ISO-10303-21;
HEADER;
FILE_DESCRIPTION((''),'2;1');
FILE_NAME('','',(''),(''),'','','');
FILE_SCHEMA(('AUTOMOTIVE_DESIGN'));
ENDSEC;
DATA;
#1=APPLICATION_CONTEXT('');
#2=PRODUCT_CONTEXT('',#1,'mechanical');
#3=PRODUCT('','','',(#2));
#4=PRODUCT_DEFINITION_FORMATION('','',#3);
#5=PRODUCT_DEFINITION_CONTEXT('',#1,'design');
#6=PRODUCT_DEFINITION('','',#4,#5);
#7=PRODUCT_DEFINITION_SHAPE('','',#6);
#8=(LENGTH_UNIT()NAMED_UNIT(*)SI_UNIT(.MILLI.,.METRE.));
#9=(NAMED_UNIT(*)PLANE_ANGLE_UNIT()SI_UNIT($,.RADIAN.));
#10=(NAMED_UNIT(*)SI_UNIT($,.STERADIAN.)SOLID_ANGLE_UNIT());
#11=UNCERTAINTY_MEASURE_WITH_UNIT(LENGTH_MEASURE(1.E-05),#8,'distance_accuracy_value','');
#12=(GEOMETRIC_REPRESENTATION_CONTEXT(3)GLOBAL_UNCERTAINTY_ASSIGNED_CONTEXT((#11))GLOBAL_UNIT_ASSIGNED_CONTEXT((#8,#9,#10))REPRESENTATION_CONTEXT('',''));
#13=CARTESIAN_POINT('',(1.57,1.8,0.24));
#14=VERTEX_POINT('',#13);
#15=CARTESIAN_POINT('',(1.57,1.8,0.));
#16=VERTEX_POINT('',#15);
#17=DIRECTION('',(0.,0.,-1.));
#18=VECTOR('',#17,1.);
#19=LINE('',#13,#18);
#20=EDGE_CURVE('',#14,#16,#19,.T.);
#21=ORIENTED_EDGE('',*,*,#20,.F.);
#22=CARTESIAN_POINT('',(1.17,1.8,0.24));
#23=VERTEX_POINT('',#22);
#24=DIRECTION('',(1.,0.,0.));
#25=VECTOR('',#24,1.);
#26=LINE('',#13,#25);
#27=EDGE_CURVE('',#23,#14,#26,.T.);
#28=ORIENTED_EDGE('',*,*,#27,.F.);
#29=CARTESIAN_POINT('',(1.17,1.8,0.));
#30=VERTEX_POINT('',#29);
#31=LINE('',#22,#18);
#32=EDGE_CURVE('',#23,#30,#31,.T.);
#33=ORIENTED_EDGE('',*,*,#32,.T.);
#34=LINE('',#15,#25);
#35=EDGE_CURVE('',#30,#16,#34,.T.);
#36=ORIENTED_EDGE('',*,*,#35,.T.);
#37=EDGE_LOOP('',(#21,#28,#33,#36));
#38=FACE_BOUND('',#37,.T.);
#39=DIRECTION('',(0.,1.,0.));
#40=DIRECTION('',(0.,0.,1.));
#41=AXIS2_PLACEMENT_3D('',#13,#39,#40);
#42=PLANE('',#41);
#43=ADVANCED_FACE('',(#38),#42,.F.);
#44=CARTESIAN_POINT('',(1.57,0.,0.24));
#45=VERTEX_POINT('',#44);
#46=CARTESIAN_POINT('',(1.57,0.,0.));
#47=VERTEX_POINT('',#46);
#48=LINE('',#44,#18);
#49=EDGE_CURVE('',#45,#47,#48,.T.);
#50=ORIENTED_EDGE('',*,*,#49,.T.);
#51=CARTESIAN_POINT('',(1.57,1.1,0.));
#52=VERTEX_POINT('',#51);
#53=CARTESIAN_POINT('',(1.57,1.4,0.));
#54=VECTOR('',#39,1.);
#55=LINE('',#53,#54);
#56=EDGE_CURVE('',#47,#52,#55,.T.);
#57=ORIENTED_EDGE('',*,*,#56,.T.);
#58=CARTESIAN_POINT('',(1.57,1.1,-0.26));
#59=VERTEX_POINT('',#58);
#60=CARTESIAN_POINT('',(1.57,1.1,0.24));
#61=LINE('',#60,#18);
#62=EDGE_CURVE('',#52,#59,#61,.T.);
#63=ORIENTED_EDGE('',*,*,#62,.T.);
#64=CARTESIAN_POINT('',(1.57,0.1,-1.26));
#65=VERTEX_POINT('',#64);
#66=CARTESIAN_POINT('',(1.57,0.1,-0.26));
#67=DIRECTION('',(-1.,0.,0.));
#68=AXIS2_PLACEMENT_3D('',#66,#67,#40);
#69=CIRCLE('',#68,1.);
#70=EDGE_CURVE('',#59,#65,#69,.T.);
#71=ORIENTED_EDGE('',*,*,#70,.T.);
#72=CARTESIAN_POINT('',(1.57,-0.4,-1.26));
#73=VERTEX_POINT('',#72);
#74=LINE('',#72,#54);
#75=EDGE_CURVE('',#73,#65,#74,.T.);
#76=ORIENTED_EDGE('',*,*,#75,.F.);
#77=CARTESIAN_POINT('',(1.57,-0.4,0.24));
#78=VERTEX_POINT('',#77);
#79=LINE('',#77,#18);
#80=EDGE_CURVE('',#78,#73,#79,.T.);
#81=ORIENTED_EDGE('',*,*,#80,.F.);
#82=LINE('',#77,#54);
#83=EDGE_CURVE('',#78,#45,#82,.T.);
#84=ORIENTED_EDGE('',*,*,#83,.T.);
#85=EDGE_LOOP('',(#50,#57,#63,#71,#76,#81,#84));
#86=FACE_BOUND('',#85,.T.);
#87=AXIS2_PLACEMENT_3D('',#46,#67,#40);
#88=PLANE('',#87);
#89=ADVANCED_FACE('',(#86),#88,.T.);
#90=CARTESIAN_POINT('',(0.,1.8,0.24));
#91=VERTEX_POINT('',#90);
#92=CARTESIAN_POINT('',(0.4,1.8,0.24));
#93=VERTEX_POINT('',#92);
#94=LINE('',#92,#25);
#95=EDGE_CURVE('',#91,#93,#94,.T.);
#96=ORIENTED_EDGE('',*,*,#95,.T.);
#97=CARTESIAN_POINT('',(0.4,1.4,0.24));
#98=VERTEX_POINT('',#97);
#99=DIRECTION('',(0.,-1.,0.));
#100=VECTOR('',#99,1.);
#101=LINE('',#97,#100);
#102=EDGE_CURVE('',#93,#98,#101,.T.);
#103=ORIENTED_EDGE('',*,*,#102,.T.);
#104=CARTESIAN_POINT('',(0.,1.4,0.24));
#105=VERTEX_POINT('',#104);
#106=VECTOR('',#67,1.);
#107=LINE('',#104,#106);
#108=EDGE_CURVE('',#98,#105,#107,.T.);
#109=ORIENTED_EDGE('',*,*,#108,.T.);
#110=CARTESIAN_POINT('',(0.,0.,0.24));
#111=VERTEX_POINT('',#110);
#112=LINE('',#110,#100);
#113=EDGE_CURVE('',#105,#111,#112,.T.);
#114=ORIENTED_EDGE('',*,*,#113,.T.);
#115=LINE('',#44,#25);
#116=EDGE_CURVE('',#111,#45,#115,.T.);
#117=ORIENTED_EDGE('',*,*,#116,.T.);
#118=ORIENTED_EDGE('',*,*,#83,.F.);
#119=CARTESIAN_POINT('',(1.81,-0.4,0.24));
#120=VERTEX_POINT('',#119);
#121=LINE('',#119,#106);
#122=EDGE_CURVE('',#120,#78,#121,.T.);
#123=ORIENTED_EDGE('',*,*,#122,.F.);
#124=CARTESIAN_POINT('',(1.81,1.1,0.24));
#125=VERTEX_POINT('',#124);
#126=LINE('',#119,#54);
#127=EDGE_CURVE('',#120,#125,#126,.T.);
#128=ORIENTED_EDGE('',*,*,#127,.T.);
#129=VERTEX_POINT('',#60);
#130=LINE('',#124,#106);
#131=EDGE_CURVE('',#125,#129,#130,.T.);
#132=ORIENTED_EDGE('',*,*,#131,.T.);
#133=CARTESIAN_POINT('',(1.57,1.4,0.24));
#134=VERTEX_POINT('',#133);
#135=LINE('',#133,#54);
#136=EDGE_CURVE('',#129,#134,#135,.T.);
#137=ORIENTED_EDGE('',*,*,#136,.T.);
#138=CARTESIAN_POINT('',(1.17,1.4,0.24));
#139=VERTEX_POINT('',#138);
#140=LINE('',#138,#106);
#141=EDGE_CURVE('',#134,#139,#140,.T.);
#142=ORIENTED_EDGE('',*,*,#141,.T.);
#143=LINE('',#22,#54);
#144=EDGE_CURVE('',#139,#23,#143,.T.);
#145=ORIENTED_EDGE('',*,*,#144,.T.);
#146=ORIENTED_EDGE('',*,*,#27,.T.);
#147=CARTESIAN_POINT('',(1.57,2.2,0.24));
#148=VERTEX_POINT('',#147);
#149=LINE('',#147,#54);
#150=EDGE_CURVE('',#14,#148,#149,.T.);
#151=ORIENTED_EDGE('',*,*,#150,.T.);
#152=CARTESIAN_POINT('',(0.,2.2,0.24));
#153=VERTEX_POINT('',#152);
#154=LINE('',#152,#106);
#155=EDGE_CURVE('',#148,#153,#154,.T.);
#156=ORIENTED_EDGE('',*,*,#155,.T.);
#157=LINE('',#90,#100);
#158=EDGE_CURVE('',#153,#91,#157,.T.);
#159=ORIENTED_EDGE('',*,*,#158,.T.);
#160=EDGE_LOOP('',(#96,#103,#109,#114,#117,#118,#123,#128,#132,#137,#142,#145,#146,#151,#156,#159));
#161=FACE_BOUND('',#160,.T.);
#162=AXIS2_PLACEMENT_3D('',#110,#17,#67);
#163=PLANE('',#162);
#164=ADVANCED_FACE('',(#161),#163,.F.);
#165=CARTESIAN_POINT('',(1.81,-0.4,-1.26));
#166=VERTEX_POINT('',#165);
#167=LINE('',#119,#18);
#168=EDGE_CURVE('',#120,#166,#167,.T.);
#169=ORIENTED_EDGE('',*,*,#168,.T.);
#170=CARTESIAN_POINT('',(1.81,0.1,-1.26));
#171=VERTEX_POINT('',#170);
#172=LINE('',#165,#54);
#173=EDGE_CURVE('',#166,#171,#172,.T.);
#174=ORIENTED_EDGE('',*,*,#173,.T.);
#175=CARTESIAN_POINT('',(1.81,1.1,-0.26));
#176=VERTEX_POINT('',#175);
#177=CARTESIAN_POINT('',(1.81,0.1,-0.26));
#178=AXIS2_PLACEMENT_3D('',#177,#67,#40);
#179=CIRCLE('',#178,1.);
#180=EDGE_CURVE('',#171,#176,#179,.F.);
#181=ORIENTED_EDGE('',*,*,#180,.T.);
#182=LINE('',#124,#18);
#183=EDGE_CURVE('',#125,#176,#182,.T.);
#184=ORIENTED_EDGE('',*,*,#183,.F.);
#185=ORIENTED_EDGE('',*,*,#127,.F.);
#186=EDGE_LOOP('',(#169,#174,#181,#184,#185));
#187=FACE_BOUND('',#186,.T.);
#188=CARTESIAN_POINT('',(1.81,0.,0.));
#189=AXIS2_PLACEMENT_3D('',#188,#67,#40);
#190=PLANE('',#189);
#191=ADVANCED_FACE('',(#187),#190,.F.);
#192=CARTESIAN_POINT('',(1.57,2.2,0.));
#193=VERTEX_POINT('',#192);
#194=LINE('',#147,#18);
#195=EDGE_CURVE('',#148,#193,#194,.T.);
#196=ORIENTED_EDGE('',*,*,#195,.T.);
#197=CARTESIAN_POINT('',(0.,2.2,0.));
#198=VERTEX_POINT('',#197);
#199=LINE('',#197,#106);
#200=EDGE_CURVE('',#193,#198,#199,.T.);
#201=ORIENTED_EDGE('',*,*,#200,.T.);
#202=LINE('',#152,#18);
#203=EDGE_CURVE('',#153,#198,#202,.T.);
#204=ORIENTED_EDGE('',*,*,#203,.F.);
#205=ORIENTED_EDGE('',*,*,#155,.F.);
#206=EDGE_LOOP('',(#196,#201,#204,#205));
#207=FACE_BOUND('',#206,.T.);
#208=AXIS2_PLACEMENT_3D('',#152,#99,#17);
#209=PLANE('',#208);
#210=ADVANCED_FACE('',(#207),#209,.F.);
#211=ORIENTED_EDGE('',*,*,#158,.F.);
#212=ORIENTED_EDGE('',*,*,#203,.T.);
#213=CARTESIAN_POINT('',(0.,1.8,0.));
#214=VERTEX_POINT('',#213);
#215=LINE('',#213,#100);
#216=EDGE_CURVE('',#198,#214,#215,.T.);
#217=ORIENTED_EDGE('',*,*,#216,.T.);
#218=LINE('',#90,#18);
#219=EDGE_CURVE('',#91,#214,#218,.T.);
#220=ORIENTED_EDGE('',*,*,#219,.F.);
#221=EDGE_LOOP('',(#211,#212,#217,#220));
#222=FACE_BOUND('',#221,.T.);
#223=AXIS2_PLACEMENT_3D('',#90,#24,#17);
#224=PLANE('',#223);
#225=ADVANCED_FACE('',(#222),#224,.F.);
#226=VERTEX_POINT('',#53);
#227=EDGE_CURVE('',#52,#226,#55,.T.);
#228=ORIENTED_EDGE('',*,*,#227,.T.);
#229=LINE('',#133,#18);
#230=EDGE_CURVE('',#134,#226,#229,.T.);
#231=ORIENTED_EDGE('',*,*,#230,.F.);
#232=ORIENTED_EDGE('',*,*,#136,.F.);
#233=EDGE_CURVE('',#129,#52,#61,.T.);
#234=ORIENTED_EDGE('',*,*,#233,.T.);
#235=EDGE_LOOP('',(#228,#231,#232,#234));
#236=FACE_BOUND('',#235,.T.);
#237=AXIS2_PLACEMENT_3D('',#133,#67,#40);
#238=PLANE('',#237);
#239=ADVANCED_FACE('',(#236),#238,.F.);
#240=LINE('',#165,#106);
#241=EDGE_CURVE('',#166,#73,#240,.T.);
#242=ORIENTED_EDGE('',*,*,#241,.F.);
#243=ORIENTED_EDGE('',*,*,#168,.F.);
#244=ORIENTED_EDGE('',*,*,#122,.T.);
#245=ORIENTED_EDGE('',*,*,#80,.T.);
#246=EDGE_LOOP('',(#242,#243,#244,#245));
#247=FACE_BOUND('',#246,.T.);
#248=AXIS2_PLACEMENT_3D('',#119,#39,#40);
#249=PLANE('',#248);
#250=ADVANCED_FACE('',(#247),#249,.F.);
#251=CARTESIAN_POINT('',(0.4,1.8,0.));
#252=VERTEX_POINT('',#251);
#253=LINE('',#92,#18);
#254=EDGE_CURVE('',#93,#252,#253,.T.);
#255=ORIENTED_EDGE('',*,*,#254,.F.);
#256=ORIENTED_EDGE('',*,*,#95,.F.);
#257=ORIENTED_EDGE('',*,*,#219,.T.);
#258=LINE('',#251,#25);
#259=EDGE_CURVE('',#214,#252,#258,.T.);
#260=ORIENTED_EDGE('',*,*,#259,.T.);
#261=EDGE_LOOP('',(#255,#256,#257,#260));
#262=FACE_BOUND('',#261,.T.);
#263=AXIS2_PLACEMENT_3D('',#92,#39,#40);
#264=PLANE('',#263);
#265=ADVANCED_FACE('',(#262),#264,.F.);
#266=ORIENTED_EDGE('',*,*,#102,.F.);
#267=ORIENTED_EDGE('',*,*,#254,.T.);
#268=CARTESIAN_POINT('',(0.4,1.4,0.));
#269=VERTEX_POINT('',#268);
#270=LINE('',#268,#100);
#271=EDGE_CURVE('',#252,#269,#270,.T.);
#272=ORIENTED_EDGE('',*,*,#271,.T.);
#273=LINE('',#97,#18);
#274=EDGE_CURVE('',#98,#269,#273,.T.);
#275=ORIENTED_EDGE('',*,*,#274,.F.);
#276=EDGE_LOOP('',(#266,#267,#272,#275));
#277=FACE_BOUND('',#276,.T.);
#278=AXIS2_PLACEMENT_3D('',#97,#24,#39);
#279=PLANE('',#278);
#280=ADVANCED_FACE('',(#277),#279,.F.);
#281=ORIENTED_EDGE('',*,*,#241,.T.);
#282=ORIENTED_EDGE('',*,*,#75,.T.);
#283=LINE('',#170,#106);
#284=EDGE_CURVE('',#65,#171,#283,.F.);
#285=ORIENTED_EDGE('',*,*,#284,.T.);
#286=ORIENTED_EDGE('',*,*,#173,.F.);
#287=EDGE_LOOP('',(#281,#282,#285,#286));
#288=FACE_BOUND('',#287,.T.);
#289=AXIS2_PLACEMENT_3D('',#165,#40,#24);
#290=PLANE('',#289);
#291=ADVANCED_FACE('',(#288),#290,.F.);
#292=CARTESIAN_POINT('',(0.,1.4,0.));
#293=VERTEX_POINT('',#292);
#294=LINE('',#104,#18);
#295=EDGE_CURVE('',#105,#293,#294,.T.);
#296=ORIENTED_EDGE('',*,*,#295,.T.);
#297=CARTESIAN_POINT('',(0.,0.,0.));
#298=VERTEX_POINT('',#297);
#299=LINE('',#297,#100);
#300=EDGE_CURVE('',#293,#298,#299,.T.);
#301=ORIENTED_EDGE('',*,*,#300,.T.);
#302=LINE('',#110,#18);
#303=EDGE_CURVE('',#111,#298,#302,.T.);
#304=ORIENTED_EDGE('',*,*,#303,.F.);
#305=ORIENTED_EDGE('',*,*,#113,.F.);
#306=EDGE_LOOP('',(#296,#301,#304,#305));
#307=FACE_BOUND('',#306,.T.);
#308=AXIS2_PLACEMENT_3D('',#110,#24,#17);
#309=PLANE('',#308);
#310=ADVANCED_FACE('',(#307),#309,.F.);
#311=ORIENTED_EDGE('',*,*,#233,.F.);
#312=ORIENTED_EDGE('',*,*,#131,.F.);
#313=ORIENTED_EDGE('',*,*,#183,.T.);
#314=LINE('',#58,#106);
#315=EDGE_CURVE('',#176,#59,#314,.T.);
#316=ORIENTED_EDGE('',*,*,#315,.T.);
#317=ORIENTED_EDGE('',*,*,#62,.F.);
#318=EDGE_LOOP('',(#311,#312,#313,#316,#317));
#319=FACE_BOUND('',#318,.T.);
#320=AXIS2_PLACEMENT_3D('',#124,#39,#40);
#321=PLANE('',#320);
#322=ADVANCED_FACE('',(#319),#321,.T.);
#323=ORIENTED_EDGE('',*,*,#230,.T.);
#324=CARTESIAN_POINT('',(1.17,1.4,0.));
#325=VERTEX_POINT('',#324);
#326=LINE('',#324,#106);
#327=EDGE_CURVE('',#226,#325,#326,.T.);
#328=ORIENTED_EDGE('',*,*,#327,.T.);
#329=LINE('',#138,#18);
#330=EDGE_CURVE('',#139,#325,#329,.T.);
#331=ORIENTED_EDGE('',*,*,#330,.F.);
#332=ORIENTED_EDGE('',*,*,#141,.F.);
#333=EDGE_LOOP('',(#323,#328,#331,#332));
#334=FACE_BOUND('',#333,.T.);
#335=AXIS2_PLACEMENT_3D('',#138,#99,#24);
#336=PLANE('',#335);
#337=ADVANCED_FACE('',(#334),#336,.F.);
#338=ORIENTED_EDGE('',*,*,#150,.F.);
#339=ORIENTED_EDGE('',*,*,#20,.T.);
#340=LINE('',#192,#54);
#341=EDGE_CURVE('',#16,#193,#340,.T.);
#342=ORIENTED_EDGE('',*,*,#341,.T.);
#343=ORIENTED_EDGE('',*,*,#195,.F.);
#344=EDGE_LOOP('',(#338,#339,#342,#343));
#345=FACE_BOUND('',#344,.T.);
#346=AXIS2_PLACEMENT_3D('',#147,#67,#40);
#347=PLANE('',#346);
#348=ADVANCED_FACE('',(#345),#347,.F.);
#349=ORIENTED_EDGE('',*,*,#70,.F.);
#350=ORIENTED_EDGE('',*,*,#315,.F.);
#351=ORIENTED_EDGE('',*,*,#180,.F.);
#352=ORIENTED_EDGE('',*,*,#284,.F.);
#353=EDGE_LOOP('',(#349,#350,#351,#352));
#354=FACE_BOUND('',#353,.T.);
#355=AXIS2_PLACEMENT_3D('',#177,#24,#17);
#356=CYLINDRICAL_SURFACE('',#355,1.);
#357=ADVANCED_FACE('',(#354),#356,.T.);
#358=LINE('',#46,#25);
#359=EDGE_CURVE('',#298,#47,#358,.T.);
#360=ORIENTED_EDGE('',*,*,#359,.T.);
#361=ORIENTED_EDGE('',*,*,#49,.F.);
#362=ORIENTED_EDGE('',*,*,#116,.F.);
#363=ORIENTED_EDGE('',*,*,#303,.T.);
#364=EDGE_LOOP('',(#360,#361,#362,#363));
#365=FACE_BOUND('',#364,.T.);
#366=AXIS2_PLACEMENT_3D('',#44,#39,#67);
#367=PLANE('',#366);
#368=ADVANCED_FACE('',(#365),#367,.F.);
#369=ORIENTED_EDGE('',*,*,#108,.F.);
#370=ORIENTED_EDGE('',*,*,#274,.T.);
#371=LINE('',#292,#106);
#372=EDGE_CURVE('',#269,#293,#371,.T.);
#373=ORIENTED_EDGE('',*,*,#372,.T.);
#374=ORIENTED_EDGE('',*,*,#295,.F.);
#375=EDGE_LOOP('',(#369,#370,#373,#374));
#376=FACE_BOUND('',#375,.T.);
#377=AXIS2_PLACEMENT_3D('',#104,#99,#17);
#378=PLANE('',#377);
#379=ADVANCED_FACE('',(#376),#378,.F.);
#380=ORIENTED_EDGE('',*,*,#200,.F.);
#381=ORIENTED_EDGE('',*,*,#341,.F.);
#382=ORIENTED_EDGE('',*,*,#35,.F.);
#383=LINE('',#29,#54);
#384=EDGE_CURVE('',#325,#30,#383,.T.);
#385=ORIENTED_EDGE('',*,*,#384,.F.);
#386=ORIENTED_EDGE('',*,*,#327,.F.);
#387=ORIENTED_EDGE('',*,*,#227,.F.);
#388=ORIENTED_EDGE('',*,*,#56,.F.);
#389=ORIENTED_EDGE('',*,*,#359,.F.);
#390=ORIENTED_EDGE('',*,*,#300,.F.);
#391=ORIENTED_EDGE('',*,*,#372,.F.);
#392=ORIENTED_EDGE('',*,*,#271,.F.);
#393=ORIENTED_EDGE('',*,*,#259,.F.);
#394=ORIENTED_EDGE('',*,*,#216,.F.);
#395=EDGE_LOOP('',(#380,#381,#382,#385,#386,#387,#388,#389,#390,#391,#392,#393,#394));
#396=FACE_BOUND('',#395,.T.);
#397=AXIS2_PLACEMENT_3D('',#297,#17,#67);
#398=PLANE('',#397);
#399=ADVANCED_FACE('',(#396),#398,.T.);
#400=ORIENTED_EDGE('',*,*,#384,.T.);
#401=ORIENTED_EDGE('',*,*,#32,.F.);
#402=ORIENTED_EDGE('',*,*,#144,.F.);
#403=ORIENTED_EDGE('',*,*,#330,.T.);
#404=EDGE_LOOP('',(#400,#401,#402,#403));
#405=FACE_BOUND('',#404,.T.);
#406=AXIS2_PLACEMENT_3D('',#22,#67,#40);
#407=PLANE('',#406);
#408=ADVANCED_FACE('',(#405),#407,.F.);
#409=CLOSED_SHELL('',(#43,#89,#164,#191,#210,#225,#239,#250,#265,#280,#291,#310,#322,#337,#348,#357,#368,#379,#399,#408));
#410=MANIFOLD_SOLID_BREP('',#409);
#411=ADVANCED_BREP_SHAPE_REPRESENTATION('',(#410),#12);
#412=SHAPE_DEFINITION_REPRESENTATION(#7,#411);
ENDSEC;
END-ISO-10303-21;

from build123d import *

# Parameters (mm, degrees)
BOSS_EXTRUDE1_DEPTH = 0.24
SKETCH2_W           = 1.5
SKETCH2_H           = 1.5
BOSS_EXTRUDE2_DEPTH = 0.24
FILLET1_R           = 1


with BuildPart() as part:
    # Sketch1 → Boss-Extrude1 (new body)
    with BuildSketch(Plane.XY):
        Polygon((0, 0), (0, 1.4), (0.4, 1.4), (0.4, 1.8), (0, 1.8), (0, 2.2), (1.57, 2.2), (1.57, 1.8), (1.17, 1.8), (1.17, 1.4), (1.57, 1.4), (1.57, 0), align=None)
    extrude(amount=BOSS_EXTRUDE1_DEPTH)

    # Sketch2 → Boss-Extrude2 (add)
    with BuildSketch(Plane(origin=(1.57, 0, 0), x_dir=(0, 0, -1), z_dir=(1, 0, 0))):
        with Locations((0.51, 0.35)):
            Rectangle(SKETCH2_W, SKETCH2_H)
    extrude(amount=BOSS_EXTRUDE2_DEPTH)

    # Fillet1
    fillet1_edges = [part.edges().sort_by_distance(p)[0] for p in [
        (1.69, 1.1, -1.26),
    ]]
    fillet(fillet1_edges, radius=FILLET1_R)


solid = part.part
